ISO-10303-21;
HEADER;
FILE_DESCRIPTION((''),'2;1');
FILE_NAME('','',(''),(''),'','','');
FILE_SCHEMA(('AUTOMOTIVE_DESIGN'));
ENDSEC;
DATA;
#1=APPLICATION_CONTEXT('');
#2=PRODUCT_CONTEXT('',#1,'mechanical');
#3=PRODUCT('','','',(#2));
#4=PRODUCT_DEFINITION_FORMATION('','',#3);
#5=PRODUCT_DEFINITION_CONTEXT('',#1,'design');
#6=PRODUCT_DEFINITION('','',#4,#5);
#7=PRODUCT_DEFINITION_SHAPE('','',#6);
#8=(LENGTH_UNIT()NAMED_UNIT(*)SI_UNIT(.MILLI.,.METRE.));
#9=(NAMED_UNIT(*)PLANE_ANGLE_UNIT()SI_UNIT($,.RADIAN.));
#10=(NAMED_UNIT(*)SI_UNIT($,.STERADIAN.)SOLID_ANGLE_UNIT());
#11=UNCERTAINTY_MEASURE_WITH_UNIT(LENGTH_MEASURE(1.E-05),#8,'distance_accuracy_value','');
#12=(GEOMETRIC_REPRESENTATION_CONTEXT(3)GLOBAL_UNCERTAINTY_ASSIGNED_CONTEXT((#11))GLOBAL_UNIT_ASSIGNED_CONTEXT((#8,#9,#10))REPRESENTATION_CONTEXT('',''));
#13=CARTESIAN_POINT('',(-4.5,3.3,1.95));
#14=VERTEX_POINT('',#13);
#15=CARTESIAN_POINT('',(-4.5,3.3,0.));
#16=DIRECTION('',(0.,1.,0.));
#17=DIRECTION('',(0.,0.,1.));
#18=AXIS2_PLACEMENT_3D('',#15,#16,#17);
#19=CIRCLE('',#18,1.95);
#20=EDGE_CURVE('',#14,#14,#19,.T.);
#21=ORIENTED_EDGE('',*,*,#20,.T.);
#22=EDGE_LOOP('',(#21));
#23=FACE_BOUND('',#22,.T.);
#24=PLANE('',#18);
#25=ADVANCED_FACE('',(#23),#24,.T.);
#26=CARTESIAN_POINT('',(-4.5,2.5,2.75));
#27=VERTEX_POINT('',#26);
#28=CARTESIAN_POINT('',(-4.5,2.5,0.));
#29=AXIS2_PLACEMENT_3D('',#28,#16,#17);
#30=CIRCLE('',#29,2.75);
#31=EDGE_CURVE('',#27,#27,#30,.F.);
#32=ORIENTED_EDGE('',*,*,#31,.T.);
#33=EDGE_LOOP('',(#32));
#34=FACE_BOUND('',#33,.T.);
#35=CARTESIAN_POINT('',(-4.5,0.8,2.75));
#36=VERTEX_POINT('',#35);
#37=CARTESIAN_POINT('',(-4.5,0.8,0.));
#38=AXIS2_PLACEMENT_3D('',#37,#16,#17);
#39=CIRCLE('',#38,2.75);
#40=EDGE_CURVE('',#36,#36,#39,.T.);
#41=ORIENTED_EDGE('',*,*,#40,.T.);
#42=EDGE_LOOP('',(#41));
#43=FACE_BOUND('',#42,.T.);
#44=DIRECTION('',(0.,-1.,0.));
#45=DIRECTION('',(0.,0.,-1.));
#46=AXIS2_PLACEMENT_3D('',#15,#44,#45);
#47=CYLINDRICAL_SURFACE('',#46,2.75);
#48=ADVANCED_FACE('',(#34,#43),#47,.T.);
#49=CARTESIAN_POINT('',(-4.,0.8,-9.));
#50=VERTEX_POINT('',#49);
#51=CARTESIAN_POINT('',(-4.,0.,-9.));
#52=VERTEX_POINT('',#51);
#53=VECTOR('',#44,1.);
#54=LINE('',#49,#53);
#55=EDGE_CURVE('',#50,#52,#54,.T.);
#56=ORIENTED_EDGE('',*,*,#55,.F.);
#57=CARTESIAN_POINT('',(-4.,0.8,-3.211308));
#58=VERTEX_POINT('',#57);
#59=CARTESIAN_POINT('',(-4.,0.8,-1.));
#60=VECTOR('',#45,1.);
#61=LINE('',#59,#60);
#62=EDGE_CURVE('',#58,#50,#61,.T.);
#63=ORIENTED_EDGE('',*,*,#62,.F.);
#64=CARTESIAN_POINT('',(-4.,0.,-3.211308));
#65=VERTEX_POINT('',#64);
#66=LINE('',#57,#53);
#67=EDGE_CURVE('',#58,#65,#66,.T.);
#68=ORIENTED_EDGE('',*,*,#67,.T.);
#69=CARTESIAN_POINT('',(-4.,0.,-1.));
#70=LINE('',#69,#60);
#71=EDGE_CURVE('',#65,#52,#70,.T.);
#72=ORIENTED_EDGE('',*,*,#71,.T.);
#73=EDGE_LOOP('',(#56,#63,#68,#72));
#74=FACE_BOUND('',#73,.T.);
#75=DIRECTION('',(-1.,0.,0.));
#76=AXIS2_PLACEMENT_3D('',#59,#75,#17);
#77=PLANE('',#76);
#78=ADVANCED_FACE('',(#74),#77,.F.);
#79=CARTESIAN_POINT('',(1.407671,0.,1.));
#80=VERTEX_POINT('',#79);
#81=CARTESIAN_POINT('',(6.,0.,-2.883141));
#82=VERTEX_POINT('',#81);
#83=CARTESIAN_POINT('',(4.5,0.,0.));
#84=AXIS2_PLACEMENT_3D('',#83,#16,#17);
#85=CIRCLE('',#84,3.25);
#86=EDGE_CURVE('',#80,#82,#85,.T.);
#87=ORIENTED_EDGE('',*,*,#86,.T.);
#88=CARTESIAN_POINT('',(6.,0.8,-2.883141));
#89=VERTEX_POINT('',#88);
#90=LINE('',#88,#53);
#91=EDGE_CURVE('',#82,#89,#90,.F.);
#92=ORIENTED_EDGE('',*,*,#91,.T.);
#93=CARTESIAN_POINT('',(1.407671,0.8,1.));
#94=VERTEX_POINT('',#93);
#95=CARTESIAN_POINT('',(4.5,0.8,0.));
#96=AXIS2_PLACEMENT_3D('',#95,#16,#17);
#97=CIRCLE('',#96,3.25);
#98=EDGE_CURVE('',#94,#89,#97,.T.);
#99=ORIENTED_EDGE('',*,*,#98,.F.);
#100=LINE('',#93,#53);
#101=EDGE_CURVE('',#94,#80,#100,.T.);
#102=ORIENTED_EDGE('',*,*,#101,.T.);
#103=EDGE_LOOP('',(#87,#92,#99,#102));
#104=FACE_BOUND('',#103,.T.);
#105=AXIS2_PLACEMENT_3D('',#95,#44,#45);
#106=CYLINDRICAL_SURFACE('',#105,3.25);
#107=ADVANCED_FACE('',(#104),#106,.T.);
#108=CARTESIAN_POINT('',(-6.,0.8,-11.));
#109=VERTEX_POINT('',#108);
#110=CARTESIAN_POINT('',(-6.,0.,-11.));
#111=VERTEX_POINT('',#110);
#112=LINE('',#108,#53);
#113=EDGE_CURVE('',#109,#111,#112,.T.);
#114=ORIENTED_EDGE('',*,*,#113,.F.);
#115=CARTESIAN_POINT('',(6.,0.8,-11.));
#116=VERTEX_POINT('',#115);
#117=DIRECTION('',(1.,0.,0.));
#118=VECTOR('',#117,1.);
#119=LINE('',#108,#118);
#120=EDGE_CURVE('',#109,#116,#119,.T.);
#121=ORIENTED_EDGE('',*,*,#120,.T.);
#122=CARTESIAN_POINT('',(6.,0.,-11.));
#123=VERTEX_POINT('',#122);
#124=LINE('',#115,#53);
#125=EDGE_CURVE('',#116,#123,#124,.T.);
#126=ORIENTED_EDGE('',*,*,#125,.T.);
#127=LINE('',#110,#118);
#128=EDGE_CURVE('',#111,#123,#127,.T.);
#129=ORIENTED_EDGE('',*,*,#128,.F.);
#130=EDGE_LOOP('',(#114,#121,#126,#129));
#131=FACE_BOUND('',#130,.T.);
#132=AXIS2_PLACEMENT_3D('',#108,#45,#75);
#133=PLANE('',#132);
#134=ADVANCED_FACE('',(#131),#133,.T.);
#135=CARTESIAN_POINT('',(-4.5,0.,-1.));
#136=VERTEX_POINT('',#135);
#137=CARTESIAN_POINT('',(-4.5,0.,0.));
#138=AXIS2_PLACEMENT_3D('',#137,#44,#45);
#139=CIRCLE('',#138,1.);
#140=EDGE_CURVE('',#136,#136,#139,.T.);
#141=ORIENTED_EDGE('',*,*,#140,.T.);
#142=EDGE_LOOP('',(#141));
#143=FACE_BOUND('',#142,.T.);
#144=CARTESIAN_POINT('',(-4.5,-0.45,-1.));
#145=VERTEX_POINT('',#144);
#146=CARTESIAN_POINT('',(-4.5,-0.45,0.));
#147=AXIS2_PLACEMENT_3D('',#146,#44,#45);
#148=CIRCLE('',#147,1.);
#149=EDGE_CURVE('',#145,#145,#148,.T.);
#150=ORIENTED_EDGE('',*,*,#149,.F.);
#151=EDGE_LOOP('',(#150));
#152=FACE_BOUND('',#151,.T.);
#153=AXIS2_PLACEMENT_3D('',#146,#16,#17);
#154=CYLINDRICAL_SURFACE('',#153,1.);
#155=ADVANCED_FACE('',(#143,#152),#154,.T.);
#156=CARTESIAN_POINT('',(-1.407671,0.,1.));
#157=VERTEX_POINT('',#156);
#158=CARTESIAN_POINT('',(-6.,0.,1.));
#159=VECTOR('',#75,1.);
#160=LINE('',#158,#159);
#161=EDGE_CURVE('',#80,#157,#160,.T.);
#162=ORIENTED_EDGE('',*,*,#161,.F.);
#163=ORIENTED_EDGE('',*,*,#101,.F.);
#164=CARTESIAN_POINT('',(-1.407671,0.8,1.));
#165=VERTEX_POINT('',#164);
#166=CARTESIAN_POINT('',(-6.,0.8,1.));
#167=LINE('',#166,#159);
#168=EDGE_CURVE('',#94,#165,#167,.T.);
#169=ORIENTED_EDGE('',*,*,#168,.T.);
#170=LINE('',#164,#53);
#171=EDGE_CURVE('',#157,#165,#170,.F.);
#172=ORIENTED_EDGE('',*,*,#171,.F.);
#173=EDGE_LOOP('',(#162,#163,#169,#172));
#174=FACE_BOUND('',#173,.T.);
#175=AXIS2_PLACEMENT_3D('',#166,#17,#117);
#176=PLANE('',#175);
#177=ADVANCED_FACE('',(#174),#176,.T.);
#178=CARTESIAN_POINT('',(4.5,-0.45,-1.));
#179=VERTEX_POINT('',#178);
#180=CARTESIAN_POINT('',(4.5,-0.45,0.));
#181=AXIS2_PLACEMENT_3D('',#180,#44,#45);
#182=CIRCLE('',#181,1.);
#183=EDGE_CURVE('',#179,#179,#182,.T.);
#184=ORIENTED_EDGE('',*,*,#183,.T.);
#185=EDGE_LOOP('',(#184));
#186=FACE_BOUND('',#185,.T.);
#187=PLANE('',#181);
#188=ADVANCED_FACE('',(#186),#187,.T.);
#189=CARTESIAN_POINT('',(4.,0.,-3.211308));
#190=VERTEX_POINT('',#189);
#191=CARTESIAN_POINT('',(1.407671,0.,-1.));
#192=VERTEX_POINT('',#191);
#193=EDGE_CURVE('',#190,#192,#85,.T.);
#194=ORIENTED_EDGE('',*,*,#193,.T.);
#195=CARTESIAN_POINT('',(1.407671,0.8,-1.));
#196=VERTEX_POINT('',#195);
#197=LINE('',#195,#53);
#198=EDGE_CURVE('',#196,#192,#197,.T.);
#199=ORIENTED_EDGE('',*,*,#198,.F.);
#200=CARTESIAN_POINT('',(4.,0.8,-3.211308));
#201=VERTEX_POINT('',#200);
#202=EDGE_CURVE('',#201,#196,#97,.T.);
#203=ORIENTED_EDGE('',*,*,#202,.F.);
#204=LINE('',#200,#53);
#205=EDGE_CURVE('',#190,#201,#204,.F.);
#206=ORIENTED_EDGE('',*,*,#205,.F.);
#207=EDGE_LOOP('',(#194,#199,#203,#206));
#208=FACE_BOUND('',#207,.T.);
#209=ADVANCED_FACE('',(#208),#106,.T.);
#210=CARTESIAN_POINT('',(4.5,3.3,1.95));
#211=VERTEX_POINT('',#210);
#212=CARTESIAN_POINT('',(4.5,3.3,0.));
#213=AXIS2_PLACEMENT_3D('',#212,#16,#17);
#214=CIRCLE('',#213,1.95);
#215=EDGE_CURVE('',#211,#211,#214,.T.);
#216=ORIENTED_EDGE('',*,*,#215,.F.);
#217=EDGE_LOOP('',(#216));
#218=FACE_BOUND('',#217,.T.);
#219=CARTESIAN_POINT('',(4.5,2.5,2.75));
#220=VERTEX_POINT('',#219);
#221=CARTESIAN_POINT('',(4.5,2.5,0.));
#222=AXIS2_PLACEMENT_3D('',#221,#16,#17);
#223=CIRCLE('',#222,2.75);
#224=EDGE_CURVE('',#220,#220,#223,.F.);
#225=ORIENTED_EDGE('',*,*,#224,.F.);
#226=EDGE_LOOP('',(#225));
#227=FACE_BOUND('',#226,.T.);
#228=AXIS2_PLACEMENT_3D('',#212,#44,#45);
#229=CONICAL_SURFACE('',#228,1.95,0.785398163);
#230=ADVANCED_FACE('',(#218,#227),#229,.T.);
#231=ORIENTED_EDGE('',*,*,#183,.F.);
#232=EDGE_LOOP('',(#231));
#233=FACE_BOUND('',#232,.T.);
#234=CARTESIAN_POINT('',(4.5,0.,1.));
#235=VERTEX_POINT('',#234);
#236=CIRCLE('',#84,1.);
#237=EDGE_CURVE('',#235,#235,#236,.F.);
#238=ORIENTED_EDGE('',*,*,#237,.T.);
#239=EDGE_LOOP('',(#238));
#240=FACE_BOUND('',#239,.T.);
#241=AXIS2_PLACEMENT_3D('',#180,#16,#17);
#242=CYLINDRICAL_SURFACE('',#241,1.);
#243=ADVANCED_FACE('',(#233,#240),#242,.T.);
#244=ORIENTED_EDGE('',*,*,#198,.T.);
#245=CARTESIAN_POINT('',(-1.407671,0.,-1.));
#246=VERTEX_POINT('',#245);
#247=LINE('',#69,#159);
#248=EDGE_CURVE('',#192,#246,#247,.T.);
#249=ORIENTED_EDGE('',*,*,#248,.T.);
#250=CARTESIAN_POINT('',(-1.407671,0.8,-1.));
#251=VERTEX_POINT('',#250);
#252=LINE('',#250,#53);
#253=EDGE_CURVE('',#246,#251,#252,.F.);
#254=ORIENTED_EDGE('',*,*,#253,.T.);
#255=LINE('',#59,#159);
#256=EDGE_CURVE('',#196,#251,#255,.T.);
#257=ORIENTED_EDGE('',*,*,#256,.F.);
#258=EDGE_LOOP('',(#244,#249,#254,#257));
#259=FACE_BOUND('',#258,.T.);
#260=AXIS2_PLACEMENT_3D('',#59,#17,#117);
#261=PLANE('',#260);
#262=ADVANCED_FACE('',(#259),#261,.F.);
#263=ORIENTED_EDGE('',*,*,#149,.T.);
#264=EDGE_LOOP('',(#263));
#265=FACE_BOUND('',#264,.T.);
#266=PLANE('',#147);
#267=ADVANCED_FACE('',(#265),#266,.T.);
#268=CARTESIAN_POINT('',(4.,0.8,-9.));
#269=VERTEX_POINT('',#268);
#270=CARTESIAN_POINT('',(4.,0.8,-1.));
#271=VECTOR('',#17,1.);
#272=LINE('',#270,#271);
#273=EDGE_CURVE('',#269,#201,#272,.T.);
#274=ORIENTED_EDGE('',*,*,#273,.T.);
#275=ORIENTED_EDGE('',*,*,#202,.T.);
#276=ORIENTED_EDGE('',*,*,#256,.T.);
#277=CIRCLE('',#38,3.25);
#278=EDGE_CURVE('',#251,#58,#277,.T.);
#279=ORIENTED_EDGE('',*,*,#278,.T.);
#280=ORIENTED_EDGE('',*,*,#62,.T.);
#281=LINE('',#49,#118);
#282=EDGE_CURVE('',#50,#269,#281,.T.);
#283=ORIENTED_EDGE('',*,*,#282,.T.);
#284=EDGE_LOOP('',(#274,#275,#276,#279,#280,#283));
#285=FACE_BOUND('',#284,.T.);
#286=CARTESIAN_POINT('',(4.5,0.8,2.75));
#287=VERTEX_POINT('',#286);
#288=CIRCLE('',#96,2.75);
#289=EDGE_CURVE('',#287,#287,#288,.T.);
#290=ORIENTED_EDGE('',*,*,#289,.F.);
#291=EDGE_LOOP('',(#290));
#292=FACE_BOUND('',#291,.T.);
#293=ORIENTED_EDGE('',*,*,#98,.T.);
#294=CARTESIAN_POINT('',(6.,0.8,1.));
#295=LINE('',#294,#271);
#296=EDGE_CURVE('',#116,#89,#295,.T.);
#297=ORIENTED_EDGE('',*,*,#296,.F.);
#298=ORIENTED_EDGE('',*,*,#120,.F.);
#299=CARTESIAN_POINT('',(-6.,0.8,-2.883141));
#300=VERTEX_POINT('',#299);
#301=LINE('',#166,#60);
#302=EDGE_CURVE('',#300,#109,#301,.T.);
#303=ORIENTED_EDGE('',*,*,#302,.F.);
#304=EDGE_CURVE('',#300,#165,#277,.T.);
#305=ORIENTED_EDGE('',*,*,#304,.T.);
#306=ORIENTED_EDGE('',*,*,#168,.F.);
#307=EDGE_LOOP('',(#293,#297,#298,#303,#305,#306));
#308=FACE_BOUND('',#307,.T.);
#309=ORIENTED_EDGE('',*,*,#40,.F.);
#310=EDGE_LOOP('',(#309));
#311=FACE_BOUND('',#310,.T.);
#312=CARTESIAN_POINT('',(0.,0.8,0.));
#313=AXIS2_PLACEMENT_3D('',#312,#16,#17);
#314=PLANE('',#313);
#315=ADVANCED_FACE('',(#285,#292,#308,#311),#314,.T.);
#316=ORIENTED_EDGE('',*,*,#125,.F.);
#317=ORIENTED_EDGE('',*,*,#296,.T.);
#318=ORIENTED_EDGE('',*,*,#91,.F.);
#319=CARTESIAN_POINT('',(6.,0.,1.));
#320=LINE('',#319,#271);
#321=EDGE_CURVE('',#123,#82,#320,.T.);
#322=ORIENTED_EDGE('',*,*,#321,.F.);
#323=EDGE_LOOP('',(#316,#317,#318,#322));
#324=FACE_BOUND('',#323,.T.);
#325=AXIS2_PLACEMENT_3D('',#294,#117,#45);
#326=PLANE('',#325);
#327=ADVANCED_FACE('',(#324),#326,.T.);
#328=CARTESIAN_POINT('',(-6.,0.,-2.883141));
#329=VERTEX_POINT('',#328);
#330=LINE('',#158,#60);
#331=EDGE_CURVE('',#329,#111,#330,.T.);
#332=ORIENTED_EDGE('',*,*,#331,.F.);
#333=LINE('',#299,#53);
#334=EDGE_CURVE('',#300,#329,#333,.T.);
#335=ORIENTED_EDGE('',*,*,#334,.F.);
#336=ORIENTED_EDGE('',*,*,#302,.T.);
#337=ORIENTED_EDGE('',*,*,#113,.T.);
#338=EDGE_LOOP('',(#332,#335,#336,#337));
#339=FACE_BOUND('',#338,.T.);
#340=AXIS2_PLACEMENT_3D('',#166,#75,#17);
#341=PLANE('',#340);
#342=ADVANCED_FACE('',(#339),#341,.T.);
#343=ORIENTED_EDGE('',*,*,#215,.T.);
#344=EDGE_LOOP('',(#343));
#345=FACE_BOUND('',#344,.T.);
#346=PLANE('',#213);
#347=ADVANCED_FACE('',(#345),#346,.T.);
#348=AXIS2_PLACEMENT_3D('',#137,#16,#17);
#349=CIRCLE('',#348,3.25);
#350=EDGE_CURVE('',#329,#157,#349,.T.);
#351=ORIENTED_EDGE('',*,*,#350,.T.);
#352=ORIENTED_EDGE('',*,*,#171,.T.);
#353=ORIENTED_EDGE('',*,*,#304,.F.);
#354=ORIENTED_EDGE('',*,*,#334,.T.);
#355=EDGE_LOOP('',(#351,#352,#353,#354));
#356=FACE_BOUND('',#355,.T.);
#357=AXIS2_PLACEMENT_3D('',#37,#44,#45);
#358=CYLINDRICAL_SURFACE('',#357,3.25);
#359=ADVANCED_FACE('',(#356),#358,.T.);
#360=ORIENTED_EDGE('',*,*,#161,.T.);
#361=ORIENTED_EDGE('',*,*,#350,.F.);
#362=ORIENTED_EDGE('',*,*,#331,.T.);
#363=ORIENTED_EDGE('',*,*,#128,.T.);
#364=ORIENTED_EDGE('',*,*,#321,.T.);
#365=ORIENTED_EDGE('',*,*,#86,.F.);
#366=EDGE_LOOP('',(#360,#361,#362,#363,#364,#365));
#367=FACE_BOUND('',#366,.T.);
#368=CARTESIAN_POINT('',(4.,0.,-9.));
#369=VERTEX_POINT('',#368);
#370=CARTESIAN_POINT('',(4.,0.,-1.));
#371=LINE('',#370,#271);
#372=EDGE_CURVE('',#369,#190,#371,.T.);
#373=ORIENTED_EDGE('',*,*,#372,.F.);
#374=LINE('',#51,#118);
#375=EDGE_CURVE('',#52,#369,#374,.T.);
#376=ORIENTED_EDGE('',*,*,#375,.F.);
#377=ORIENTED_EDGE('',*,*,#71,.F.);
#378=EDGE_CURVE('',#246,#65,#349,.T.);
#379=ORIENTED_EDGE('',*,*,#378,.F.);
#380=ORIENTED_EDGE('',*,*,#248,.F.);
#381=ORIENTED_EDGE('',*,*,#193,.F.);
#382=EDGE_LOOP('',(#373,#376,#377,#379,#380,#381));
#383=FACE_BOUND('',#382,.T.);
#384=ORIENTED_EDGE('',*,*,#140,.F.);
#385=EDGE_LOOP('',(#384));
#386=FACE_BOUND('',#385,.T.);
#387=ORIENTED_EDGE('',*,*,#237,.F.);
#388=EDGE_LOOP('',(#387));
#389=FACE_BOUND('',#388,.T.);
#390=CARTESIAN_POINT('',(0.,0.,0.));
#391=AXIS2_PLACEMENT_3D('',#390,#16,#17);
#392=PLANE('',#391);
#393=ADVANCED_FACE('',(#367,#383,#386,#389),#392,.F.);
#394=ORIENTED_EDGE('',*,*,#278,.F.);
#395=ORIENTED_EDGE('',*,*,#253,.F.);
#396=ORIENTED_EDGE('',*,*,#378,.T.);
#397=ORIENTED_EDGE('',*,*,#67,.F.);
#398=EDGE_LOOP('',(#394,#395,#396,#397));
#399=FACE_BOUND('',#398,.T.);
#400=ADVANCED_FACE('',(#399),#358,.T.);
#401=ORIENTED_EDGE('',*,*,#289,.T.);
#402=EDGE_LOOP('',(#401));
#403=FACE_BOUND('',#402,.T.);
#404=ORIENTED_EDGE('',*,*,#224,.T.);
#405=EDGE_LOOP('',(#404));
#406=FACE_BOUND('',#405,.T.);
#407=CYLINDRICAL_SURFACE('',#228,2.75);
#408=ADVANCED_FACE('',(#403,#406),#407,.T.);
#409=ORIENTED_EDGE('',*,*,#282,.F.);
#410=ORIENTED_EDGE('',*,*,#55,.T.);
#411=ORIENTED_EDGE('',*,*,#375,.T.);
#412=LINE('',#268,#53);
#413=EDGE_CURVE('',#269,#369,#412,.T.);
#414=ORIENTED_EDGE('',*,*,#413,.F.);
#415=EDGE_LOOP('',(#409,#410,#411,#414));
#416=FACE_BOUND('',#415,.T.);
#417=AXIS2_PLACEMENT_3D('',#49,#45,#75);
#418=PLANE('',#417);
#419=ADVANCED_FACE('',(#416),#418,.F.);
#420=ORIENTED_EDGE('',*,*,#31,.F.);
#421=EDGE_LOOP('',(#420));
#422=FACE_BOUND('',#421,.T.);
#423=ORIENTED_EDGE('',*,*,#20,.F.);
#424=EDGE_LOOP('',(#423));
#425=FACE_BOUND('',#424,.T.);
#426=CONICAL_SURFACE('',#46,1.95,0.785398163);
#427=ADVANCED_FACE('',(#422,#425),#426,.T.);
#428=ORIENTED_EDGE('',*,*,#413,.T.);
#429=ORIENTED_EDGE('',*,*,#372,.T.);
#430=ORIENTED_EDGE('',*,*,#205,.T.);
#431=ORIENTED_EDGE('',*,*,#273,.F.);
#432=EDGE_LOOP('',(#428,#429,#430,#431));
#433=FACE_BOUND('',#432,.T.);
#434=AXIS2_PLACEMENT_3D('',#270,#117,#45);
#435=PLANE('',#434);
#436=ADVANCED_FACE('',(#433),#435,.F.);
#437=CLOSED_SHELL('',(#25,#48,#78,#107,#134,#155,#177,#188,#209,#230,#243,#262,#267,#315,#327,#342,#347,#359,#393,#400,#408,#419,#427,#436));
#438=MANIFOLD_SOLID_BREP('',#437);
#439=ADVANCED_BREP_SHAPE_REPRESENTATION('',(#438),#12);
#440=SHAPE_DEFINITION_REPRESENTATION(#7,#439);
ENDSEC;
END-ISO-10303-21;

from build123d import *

# Parameters (mm, degrees)
SKETCH_1_R      = 3.25
EXTRUDE_1_DEPTH = 0.8
SKETCH_2_R      = 2.75
EXTRUDE_2_DEPTH = 2.5
CHAMFER_1_SIZE  = 0.8
SKETCH_3_R      = 1
EXTRUDE_3_DEPTH = 0.45
SKETCH_4_W      = 12
SKETCH_4_H      = 12
SKETCH_4_W_2    = 8
SKETCH_4_H_2    = 8
EXTRUDE_4_DEPTH = 0.8


with BuildPart() as part:
    # 草图1 → 凸台-拉伸1 (new body)
    with BuildSketch(Plane(origin=(0, 0, 0), x_dir=(1, 0, 0), z_dir=(0, 1, 0))):
        with Locations((-4.5, 0)):
            Circle(SKETCH_1_R)
        with BuildLine():
            Line((1.33772234, 0.75), (-1.33772234, 0.75))
            ThreePointArc((-1.33772234, 0.75), (-1.272005081, 0.377556356), (-1.25, 0))
            ThreePointArc((-1.25, 0), (-1.272005081, -0.377556356), (-1.33772234, -0.75))
            Line((-1.33772234, -0.75), (1.33772234, -0.75))
            ThreePointArc((1.33772234, -0.75), (1.25, 0), (1.33772234, 0.75))
        make_face()
        with Locations((4.5, 0)):
            Circle(SKETCH_1_R)
    extrude(amount=EXTRUDE_1_DEPTH)

    # 草图2 → 凸台-拉伸2 (add)
    with BuildSketch(Plane(origin=(0, 0.8, 0), x_dir=(1, 0, 0), z_dir=(0, 1, 0))):
        with Locations(Location((-4.5, 0, 0), (0, 0, 270))):
            Circle(SKETCH_2_R)
        with Locations(Location((4.5, 0, 0), (0, 0, 270))):
            Circle(SKETCH_2_R)
    extrude(amount=EXTRUDE_2_DEPTH)

    # 倒角1
    chamfer_1_edges = [part.edges().sort_by_distance(p)[0] for p in [
        (-4.5, 3.3, -2.75),
        (4.5, 3.3, -2.75),
    ]]
    chamfer(chamfer_1_edges, length=CHAMFER_1_SIZE)

    # 草图3 → 凸台-拉伸3 (add)
    with BuildSketch(Plane.XZ):
        with Locations(Location((-4.5, 0, 0), (0, 0, 270))):
            Circle(SKETCH_3_R)
        with Locations(Location((4.5, 0, 0), (0, 0, 90))):
            Circle(SKETCH_3_R)
    extrude(amount=EXTRUDE_3_DEPTH)

    # 草图4 → 凸台-拉伸4 (add)
    with BuildSketch(Plane.XZ):
        with Locations((0, -5)):
            Rectangle(SKETCH_4_W, SKETCH_4_H)
        with Locations((0, -5)):
            Rectangle(SKETCH_4_W_2, SKETCH_4_H_2, mode=Mode.SUBTRACT)
    extrude(amount=-EXTRUDE_4_DEPTH)


solid = part.part
